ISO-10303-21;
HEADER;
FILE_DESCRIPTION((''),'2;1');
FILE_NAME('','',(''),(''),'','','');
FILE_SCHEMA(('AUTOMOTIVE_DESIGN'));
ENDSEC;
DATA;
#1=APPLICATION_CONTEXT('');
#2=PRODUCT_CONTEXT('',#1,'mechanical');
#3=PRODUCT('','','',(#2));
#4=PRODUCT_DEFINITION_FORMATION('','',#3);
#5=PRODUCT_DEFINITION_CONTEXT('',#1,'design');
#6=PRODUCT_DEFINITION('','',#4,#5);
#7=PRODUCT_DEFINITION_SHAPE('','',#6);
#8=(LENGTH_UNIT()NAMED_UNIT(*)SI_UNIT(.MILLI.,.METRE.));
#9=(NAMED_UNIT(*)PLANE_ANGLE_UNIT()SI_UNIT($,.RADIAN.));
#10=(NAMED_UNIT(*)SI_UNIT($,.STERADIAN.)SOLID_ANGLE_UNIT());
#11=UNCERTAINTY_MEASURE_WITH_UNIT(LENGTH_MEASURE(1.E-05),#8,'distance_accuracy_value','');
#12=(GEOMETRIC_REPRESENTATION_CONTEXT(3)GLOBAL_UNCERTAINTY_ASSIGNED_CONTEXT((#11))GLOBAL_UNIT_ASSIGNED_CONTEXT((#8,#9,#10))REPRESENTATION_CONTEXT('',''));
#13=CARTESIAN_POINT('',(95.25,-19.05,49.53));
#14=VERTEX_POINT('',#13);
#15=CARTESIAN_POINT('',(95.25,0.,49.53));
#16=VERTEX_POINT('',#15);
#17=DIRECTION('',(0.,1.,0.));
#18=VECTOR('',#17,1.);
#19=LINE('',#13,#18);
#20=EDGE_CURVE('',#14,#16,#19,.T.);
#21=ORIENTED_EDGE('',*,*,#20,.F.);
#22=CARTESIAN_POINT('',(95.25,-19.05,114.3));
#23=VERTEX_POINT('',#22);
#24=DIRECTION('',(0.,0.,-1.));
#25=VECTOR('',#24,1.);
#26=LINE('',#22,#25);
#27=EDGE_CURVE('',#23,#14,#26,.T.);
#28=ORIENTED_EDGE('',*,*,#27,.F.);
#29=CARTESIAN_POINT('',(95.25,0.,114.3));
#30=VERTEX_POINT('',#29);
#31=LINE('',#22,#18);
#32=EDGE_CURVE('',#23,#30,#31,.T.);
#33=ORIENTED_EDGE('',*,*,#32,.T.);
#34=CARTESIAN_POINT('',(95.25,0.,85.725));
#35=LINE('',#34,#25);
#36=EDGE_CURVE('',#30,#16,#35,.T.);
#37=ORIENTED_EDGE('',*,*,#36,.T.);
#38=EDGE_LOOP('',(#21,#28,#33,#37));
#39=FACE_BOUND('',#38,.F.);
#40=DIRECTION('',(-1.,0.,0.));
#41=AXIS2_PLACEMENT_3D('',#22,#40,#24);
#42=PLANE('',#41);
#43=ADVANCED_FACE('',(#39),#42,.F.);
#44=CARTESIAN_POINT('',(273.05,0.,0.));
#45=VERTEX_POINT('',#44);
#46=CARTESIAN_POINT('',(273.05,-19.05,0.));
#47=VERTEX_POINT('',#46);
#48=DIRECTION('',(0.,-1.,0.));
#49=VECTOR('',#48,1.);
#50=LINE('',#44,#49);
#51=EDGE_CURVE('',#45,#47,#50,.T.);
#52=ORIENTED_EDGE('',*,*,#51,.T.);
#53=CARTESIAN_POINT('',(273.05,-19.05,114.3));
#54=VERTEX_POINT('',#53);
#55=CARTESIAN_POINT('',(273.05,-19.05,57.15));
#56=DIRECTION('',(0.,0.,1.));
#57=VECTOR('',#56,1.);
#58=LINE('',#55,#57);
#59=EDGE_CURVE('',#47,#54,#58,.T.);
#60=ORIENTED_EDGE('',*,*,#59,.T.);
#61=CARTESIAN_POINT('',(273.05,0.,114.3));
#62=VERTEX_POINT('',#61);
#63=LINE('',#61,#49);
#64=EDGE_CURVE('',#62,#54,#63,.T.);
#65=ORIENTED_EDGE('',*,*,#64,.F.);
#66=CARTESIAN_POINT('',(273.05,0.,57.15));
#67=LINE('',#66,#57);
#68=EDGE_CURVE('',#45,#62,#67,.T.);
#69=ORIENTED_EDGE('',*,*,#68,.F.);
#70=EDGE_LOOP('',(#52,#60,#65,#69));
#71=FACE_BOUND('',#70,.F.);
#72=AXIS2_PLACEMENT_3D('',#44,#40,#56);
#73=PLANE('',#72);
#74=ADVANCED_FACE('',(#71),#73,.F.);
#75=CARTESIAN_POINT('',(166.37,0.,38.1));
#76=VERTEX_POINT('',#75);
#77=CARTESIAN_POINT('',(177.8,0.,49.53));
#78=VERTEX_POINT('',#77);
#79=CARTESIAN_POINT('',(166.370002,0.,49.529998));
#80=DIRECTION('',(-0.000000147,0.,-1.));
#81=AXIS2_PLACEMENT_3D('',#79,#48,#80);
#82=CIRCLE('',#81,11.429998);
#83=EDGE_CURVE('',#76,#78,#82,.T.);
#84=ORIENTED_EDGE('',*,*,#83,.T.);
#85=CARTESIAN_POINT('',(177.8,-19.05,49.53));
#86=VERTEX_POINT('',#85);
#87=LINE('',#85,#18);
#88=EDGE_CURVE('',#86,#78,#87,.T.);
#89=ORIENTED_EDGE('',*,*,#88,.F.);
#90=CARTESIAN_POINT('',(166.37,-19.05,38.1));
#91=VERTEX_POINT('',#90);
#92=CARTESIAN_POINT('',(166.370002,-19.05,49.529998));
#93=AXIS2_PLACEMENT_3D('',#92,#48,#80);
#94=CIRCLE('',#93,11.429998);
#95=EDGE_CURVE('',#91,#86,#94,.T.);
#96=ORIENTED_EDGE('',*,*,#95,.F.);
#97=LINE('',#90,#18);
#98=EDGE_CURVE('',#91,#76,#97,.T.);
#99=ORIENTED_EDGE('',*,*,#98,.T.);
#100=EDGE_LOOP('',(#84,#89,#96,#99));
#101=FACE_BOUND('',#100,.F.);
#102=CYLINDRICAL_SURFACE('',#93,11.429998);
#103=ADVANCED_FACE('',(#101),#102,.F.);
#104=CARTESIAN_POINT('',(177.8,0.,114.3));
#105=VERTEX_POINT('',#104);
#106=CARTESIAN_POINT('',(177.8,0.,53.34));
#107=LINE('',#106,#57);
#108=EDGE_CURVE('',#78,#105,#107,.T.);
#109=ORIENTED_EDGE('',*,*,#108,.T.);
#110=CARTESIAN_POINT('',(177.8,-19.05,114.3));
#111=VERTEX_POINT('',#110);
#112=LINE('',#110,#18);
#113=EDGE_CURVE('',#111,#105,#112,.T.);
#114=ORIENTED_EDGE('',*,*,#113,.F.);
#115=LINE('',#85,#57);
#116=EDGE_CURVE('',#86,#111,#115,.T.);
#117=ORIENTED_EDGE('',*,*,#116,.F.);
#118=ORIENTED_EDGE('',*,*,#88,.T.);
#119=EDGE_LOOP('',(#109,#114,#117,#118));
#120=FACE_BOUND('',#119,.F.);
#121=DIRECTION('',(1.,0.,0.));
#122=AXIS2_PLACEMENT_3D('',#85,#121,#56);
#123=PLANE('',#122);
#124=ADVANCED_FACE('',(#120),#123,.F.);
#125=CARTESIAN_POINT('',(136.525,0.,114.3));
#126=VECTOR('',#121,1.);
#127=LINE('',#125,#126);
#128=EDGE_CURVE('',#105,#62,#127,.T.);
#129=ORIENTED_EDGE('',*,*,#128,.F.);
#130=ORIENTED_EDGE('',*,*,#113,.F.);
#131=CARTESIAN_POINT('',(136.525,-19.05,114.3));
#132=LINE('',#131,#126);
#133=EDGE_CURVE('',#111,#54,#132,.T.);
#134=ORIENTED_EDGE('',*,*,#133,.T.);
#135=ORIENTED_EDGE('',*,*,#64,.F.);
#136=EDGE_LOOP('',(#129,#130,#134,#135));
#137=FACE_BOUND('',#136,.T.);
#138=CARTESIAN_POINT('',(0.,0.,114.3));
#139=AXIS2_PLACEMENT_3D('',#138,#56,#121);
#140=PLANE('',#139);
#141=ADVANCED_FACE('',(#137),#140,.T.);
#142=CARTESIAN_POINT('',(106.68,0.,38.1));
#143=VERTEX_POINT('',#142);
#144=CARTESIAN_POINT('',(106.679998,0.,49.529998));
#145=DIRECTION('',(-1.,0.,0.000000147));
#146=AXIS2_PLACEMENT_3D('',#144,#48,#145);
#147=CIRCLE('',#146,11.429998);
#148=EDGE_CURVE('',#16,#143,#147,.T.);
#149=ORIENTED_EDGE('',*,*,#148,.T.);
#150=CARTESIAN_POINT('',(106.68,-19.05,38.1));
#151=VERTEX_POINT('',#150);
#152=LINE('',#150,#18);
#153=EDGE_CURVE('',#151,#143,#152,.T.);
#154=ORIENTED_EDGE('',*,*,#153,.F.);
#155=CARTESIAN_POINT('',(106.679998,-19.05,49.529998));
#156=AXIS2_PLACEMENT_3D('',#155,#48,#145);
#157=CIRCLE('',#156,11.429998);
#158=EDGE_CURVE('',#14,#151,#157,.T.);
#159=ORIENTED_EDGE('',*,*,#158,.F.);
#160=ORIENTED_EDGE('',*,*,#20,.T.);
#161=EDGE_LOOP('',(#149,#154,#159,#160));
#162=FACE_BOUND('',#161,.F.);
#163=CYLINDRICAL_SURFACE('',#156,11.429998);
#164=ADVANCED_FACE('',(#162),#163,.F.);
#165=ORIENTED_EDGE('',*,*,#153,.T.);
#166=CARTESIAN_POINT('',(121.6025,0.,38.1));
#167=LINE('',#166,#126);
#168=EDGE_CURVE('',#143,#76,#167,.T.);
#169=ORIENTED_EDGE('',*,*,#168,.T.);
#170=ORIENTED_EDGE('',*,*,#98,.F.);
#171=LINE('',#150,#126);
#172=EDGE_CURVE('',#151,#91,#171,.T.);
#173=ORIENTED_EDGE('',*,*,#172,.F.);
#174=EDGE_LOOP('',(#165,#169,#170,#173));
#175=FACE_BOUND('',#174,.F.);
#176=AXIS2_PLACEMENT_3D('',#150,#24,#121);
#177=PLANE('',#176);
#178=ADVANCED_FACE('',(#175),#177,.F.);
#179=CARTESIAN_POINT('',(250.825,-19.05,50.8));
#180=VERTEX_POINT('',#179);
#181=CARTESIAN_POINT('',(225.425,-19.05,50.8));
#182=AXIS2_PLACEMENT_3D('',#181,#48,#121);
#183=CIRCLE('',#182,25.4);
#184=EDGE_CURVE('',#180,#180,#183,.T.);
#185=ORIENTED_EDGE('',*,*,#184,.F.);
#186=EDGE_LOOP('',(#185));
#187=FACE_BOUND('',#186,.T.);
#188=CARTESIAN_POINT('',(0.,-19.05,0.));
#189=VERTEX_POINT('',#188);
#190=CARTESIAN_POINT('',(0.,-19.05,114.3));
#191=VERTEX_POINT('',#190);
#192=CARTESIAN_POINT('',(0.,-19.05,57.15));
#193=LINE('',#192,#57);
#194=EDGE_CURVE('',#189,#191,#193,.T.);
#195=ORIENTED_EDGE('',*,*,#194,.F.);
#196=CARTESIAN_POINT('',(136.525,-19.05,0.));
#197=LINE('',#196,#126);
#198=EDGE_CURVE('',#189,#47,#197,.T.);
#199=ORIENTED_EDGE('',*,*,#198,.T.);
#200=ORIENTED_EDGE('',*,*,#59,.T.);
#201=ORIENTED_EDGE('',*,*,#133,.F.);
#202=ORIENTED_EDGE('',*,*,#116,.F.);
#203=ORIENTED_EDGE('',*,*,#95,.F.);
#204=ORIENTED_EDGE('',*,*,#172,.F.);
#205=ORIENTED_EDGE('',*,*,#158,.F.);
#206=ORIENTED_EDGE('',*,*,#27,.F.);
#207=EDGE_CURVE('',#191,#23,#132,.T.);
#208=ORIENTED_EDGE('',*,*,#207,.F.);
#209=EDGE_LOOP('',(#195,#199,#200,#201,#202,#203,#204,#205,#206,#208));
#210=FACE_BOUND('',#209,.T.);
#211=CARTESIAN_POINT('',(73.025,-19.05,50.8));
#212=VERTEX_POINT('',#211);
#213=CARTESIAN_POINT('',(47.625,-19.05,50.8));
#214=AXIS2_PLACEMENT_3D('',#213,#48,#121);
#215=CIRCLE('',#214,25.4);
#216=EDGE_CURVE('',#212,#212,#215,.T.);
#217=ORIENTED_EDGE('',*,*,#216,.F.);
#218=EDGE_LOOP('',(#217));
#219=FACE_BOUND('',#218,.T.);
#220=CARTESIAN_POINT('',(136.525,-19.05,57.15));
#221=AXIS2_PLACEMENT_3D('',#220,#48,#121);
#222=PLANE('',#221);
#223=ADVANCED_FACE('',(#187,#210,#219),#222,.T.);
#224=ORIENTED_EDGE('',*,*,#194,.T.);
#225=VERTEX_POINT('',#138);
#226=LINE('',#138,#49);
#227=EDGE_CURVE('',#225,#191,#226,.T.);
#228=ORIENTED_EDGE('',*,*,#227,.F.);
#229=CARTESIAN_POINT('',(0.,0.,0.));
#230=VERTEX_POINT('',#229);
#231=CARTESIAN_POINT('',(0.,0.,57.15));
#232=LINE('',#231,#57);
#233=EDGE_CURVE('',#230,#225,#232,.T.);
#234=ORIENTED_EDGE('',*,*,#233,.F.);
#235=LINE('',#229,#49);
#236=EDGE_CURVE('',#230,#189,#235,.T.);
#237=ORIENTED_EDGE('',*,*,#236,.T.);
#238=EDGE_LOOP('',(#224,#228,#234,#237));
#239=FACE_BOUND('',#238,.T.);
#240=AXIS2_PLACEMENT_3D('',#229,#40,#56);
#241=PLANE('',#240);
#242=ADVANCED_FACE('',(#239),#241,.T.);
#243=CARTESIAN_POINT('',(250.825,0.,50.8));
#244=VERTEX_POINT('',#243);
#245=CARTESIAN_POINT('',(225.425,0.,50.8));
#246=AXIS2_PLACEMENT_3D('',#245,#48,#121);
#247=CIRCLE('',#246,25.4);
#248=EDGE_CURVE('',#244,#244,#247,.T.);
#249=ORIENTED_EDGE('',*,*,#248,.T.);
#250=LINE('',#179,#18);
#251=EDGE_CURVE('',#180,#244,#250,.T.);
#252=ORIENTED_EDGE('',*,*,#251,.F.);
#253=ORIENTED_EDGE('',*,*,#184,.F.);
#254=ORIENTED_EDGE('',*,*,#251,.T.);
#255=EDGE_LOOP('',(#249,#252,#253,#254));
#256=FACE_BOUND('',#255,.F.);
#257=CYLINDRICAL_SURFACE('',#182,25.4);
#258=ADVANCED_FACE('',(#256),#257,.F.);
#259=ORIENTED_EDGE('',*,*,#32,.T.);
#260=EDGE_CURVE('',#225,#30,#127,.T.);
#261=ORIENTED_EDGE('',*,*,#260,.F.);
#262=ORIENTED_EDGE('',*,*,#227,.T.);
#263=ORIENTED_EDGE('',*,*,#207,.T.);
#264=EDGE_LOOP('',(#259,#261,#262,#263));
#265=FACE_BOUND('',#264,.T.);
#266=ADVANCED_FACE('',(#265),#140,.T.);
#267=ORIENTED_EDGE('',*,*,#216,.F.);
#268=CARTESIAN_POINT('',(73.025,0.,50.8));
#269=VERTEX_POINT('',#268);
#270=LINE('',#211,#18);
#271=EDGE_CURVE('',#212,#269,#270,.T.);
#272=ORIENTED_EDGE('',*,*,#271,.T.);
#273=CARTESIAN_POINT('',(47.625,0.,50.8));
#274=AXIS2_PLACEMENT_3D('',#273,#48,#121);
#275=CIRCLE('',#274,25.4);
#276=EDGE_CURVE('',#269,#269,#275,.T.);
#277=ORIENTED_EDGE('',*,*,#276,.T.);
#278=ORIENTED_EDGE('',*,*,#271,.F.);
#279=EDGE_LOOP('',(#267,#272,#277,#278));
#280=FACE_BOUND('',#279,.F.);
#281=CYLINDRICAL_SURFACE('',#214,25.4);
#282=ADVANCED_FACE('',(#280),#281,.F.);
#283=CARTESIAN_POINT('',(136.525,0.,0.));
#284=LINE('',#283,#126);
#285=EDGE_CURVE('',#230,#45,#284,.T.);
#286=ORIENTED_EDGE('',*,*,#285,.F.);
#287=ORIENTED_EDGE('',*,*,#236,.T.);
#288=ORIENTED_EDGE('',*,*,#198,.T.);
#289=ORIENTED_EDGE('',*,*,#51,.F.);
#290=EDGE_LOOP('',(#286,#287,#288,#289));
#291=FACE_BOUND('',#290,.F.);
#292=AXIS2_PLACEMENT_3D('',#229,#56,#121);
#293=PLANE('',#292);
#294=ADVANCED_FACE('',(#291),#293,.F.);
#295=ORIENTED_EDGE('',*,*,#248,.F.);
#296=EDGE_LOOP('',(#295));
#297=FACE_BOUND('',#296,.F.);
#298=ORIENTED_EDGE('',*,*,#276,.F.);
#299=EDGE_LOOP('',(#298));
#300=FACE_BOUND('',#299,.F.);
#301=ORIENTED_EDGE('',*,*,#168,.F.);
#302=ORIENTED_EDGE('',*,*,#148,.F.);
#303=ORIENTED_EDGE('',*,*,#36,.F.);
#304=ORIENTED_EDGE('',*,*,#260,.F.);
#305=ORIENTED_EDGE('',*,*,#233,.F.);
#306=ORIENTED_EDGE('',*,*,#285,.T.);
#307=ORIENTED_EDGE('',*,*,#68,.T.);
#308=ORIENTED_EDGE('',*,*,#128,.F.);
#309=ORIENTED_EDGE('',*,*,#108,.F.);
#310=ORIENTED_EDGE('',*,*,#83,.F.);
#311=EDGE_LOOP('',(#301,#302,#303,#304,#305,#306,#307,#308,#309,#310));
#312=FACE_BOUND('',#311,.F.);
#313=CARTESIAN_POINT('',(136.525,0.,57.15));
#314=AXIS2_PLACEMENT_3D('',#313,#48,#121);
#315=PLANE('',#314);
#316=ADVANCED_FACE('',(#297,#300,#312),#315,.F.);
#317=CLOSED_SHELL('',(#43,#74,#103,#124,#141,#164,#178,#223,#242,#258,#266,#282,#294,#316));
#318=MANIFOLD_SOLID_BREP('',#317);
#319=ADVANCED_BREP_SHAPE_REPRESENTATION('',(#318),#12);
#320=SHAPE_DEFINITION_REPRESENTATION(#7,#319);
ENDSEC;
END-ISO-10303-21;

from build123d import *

# Parameters (mm, degrees)
F0_W     = 273.05
F0_H     = 114.3
F1_DEPTH = 19.05
F2_R     = 25.4
F3_DEPTH = 25.4
F5_DEPTH = 25.4


with BuildPart() as f1:
    # F0 (on Front) → F1 (new body)
    with BuildSketch(Plane.XZ):
        with Locations((136.525, 57.15)):
            Rectangle(F0_W, F0_H)
    extrude(amount=F1_DEPTH)

    # F2 (on face) → F3 (cut)
    with BuildSketch(Plane.XZ.offset(19.05)):
        with Locations((47.625, 50.8)):
            Circle(F2_R)
        with Locations((225.425, 50.8)):
            Circle(F2_R)
    extrude(amount=-F3_DEPTH, mode=Mode.SUBTRACT)

    # F4 (on face) → F5 (cut)
    with BuildSketch(Plane.XZ.offset(19.05)):
        with BuildLine():
            Line((177.8, 114.3), (95.25, 114.3))
            Line((95.25, 114.3), (95.25, 49.53))
            ThreePointArc((95.25, 49.53), (98.597769, 41.447769), (106.68, 38.1))
            Line((106.68, 38.1), (166.37, 38.1))
            ThreePointArc((166.37, 38.1), (174.452231, 41.447769), (177.8, 49.53))
            Line((177.8, 49.53), (177.8, 114.3))
        make_face()
    extrude(amount=-F5_DEPTH, mode=Mode.SUBTRACT)


solid = f1.part
